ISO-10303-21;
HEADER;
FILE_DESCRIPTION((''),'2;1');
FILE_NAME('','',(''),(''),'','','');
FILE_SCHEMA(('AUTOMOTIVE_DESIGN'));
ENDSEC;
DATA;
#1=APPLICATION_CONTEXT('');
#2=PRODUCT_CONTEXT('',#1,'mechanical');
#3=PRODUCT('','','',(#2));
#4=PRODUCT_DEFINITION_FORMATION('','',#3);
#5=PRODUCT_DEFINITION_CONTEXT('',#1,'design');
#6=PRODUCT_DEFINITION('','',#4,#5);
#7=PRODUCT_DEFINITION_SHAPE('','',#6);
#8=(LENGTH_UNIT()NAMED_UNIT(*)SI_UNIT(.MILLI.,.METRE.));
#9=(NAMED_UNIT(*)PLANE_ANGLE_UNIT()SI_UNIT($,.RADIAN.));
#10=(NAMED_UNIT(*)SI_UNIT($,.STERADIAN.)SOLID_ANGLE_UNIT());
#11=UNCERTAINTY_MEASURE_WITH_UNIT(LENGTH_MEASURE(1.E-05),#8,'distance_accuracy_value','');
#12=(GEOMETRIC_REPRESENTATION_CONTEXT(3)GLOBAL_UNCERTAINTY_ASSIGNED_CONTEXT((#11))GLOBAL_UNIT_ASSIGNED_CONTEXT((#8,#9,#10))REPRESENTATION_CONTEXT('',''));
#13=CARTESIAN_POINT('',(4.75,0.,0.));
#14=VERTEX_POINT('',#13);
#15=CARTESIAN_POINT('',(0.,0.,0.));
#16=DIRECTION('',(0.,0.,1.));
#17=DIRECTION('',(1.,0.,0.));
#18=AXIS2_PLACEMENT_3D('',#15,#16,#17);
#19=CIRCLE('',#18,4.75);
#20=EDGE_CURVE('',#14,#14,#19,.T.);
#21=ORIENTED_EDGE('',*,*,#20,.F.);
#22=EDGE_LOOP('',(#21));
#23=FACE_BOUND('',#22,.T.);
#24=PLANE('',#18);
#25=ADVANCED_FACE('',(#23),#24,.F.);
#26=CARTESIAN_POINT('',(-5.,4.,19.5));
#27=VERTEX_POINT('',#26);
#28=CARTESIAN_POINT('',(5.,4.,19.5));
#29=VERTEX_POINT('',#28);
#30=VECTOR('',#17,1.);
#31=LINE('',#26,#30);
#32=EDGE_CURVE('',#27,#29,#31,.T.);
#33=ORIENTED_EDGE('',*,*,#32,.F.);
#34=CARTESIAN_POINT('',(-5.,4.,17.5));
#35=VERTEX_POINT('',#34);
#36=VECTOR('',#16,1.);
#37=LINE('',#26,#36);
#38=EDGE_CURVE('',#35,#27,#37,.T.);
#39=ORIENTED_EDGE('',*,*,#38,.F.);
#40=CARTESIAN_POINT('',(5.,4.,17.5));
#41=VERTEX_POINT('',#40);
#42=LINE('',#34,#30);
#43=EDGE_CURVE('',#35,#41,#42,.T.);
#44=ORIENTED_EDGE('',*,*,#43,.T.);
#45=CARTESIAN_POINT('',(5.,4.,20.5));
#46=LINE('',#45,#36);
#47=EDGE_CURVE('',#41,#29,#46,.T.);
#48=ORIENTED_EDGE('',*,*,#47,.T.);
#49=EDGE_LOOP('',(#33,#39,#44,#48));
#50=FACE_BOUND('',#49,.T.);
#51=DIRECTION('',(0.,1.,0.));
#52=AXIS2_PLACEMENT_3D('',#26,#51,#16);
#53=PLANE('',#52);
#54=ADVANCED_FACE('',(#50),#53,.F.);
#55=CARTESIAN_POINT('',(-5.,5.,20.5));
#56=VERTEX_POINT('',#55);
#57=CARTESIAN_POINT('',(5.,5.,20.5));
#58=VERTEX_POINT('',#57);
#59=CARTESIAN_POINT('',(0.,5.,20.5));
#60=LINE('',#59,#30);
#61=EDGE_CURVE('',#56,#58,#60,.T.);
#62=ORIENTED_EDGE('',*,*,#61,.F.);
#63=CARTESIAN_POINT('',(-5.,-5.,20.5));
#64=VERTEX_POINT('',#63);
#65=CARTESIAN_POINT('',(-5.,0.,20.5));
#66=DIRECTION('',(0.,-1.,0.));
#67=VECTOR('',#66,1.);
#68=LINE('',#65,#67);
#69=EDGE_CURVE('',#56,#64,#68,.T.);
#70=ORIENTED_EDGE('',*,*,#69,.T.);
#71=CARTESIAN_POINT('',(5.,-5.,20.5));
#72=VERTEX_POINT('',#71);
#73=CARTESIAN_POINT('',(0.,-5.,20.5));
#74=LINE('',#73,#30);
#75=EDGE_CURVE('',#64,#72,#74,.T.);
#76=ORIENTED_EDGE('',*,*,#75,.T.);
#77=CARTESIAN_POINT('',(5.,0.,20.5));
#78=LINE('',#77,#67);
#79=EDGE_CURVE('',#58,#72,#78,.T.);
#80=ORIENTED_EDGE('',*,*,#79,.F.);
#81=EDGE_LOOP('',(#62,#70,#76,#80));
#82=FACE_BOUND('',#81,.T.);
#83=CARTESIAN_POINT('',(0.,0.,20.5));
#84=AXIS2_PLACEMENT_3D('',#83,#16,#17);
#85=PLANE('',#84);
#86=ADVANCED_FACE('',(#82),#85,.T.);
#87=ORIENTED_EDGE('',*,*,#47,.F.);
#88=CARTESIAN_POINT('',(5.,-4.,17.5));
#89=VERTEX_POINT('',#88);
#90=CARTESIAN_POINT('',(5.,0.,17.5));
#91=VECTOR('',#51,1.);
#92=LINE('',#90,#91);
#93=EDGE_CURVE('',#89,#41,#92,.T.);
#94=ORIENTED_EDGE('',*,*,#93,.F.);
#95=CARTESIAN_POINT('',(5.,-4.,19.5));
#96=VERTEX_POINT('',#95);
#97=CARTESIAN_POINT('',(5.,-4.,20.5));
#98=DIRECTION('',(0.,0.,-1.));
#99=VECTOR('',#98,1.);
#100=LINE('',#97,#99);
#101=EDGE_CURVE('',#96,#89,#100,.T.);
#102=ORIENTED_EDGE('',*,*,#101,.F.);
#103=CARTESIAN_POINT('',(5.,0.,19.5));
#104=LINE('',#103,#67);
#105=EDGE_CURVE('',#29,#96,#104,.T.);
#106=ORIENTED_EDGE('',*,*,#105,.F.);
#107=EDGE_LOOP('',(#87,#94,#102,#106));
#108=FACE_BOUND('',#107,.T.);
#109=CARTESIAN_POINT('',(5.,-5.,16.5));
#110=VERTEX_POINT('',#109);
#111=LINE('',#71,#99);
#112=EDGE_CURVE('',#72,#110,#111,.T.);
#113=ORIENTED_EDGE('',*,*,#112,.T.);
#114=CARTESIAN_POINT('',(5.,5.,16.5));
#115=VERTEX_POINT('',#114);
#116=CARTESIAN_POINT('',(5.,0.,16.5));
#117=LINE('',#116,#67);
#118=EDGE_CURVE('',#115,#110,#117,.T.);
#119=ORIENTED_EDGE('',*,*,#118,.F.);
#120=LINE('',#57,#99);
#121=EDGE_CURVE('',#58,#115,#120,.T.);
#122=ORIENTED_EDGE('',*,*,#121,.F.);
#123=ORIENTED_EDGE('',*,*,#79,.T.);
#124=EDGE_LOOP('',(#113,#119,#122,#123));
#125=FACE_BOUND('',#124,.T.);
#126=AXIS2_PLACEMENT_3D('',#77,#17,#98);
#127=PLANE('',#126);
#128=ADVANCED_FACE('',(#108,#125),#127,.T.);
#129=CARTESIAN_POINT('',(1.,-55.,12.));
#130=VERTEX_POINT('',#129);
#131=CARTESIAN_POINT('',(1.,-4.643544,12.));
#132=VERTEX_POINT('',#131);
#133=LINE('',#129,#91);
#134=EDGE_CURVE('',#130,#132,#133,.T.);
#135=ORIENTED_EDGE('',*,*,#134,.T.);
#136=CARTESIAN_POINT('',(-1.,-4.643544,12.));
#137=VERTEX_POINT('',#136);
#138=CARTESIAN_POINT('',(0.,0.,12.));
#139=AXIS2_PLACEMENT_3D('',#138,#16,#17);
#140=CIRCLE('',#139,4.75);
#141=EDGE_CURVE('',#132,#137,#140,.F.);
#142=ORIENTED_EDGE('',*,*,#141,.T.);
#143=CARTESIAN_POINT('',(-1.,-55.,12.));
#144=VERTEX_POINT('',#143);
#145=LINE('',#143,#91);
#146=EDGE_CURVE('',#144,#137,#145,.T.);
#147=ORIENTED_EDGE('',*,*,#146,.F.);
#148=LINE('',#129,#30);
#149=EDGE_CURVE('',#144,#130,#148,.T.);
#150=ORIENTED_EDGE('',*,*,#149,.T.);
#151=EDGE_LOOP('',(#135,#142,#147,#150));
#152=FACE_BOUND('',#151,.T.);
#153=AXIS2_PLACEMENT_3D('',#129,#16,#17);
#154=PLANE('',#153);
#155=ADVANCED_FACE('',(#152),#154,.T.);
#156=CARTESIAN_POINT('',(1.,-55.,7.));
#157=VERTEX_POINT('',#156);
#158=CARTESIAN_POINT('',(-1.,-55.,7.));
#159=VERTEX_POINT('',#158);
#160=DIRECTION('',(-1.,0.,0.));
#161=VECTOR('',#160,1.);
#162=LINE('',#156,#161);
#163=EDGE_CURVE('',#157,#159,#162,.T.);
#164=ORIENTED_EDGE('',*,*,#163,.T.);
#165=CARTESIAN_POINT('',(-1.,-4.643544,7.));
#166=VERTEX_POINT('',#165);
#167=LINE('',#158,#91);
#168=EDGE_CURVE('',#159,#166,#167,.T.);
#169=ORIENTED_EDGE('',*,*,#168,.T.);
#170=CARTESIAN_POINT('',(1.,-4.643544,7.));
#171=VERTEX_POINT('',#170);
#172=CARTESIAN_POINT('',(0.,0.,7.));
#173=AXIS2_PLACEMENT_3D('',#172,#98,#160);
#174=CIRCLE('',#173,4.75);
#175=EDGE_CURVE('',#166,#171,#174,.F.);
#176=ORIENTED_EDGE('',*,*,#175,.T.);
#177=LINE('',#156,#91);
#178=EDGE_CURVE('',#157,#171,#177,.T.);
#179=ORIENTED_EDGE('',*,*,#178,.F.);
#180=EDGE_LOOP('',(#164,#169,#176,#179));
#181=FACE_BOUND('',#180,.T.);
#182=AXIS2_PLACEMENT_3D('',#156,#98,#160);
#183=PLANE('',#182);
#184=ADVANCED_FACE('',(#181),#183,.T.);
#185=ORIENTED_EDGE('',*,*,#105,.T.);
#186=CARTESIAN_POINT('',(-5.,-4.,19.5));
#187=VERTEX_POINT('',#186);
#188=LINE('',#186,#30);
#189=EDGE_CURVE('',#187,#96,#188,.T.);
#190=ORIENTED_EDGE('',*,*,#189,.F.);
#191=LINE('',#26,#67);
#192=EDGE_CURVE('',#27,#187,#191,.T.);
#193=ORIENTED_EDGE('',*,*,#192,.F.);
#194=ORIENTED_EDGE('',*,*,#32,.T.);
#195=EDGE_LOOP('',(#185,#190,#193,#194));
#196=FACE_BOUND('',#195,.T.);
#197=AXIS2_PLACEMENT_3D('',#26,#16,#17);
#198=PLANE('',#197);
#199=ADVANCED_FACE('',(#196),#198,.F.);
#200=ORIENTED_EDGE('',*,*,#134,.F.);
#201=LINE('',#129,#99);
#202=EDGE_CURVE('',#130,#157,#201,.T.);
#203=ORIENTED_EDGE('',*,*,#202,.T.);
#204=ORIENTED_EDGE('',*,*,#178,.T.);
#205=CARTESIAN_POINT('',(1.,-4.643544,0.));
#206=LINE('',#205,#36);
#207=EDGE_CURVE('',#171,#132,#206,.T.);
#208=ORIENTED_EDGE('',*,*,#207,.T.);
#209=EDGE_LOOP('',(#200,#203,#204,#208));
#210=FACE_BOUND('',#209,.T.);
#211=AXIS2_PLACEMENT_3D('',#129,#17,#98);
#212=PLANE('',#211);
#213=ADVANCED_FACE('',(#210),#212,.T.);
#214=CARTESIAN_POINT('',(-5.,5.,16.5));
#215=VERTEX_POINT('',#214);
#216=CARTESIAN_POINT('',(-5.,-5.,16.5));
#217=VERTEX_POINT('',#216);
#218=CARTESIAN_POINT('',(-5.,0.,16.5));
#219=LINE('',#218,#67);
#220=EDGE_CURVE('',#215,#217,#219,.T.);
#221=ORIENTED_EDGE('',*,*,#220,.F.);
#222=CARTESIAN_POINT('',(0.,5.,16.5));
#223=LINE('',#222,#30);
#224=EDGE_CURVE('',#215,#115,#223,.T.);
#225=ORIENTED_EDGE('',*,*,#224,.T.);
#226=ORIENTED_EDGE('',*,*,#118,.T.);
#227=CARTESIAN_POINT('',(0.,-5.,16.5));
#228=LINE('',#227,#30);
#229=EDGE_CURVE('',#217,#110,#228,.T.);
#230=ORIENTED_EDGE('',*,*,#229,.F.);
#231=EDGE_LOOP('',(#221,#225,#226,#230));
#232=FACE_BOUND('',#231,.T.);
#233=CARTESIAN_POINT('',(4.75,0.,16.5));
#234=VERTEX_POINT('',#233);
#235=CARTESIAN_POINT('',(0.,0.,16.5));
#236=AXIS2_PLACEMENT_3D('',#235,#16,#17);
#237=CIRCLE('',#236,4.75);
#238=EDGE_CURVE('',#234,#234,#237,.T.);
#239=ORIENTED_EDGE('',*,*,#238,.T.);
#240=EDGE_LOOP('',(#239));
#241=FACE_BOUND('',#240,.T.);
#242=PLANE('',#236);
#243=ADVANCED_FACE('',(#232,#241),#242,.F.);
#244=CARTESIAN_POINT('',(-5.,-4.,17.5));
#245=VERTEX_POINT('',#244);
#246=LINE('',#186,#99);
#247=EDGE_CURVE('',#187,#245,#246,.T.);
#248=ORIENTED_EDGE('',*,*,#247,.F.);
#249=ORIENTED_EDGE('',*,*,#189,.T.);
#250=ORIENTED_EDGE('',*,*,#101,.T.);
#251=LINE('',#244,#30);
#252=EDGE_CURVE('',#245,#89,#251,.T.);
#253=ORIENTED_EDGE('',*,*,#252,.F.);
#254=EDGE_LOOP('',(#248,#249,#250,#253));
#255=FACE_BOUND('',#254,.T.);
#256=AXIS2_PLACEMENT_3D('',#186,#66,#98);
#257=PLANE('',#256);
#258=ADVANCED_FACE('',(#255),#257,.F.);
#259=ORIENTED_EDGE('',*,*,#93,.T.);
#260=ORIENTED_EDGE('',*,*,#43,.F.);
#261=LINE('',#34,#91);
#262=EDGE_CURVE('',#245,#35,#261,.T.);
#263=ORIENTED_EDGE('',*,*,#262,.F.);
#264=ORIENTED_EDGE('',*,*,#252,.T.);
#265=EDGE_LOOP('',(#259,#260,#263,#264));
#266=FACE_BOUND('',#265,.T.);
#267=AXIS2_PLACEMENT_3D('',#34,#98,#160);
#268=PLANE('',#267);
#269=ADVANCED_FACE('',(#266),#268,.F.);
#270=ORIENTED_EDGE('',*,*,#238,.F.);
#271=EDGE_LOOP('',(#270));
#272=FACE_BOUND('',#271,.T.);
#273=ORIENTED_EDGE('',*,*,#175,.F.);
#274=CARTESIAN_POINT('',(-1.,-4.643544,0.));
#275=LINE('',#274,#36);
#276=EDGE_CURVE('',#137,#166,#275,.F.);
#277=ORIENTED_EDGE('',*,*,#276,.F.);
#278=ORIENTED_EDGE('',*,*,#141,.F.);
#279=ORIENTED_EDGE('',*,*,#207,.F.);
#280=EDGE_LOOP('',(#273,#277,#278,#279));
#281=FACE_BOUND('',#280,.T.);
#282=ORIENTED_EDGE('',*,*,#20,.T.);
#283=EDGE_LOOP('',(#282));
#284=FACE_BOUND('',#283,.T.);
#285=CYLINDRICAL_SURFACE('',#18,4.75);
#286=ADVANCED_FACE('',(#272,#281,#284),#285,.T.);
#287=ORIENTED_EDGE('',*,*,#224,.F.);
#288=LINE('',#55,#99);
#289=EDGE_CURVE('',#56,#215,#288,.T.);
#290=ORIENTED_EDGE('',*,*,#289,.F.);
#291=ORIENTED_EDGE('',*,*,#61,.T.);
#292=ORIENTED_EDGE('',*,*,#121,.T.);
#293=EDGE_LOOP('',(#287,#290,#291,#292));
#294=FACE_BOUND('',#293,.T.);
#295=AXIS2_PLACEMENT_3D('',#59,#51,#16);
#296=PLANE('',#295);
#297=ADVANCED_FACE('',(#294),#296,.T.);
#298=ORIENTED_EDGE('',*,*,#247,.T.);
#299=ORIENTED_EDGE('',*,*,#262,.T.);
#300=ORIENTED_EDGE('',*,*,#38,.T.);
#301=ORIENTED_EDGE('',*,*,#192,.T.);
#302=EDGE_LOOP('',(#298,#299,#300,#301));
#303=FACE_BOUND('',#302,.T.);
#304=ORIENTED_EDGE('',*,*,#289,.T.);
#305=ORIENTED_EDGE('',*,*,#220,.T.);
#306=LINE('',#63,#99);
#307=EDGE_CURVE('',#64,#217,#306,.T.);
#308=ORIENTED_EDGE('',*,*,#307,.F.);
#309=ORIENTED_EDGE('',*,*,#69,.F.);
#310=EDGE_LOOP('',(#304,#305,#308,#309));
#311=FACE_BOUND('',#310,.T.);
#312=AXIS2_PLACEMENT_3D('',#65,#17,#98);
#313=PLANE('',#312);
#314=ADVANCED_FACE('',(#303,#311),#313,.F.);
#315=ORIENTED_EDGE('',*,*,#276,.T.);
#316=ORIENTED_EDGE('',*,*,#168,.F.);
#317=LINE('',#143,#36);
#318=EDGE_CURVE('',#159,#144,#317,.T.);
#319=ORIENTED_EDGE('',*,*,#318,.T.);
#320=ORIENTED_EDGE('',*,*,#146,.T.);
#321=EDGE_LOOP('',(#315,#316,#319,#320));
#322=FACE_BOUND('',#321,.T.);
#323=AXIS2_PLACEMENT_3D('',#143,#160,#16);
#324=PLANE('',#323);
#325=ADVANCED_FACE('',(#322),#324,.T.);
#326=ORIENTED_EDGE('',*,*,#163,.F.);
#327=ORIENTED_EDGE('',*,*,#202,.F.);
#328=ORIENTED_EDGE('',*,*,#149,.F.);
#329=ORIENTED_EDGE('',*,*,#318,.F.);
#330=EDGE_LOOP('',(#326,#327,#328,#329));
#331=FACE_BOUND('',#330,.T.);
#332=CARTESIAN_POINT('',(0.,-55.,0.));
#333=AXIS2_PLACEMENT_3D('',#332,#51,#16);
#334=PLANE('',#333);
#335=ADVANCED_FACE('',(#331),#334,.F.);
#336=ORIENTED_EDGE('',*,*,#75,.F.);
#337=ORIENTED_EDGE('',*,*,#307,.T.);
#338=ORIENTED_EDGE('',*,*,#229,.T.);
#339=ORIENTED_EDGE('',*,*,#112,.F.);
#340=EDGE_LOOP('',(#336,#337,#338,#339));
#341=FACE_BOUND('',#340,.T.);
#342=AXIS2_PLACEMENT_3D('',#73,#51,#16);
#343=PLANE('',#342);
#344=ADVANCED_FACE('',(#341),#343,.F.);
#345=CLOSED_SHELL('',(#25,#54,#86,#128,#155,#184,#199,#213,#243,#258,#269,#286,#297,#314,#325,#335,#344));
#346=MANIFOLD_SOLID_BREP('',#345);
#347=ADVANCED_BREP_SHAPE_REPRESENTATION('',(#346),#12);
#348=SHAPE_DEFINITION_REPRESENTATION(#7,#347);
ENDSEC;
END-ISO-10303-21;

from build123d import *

# Parameters (mm, degrees)
SKETCH2_R               = 4.75
SKETCH3_R               = 4.75
SKETCH4_W               = 2
SKETCH4_H               = 5
BOSS_EXTRUDE1_DEPTH     = 55
SKETCH3_7_W             = 10
SKETCH3_7_H             = 10
BOSS_EXTRUDE4_DEPTH     = 4
SKETCH8_W               = 2
SKETCH8_H               = 8
CUT_EXTRUDE2_DEPTH      = 1
CUT_EXTRUDE2_DEPTH_BACK = 11


with BuildPart() as part:
    # Sketch2 → Loft1 section 0
    with BuildSketch(Plane.XY):
        Circle(SKETCH2_R)
    # Sketch3 → Loft1 section 1
    with BuildSketch(Plane.XY.offset(16.5)):
        Circle(SKETCH3_R)
    loft()

    # Sketch4 → Boss-Extrude1 (add)
    with BuildSketch(Plane(origin=(0, 0, 0), x_dir=(1, 0, 0), z_dir=(0, 1, 0))):
        with Locations((0, -9.5)):
            Rectangle(SKETCH4_W, SKETCH4_H)
    extrude(amount=-BOSS_EXTRUDE1_DEPTH)

    # Sketch3<7> → Boss-Extrude4 (add)
    with BuildSketch(Plane.XY.offset(16.5)):
        Rectangle(SKETCH3_7_W, SKETCH3_7_H)
    extrude(amount=BOSS_EXTRUDE4_DEPTH)

    # Sketch8 → Cut-Extrude2 (cut, two sides)
    with BuildSketch(Plane(origin=(5, 0, 0), x_dir=(0, 0, -1), z_dir=(1, 0, 0))) as cut_extrude2_sk:
        with Locations((-18.5, 0)):
            Rectangle(SKETCH8_W, SKETCH8_H)
    extrude(amount=CUT_EXTRUDE2_DEPTH, mode=Mode.SUBTRACT)
    extrude(cut_extrude2_sk.sketch, amount=-CUT_EXTRUDE2_DEPTH_BACK, mode=Mode.SUBTRACT)


solid = part.part
